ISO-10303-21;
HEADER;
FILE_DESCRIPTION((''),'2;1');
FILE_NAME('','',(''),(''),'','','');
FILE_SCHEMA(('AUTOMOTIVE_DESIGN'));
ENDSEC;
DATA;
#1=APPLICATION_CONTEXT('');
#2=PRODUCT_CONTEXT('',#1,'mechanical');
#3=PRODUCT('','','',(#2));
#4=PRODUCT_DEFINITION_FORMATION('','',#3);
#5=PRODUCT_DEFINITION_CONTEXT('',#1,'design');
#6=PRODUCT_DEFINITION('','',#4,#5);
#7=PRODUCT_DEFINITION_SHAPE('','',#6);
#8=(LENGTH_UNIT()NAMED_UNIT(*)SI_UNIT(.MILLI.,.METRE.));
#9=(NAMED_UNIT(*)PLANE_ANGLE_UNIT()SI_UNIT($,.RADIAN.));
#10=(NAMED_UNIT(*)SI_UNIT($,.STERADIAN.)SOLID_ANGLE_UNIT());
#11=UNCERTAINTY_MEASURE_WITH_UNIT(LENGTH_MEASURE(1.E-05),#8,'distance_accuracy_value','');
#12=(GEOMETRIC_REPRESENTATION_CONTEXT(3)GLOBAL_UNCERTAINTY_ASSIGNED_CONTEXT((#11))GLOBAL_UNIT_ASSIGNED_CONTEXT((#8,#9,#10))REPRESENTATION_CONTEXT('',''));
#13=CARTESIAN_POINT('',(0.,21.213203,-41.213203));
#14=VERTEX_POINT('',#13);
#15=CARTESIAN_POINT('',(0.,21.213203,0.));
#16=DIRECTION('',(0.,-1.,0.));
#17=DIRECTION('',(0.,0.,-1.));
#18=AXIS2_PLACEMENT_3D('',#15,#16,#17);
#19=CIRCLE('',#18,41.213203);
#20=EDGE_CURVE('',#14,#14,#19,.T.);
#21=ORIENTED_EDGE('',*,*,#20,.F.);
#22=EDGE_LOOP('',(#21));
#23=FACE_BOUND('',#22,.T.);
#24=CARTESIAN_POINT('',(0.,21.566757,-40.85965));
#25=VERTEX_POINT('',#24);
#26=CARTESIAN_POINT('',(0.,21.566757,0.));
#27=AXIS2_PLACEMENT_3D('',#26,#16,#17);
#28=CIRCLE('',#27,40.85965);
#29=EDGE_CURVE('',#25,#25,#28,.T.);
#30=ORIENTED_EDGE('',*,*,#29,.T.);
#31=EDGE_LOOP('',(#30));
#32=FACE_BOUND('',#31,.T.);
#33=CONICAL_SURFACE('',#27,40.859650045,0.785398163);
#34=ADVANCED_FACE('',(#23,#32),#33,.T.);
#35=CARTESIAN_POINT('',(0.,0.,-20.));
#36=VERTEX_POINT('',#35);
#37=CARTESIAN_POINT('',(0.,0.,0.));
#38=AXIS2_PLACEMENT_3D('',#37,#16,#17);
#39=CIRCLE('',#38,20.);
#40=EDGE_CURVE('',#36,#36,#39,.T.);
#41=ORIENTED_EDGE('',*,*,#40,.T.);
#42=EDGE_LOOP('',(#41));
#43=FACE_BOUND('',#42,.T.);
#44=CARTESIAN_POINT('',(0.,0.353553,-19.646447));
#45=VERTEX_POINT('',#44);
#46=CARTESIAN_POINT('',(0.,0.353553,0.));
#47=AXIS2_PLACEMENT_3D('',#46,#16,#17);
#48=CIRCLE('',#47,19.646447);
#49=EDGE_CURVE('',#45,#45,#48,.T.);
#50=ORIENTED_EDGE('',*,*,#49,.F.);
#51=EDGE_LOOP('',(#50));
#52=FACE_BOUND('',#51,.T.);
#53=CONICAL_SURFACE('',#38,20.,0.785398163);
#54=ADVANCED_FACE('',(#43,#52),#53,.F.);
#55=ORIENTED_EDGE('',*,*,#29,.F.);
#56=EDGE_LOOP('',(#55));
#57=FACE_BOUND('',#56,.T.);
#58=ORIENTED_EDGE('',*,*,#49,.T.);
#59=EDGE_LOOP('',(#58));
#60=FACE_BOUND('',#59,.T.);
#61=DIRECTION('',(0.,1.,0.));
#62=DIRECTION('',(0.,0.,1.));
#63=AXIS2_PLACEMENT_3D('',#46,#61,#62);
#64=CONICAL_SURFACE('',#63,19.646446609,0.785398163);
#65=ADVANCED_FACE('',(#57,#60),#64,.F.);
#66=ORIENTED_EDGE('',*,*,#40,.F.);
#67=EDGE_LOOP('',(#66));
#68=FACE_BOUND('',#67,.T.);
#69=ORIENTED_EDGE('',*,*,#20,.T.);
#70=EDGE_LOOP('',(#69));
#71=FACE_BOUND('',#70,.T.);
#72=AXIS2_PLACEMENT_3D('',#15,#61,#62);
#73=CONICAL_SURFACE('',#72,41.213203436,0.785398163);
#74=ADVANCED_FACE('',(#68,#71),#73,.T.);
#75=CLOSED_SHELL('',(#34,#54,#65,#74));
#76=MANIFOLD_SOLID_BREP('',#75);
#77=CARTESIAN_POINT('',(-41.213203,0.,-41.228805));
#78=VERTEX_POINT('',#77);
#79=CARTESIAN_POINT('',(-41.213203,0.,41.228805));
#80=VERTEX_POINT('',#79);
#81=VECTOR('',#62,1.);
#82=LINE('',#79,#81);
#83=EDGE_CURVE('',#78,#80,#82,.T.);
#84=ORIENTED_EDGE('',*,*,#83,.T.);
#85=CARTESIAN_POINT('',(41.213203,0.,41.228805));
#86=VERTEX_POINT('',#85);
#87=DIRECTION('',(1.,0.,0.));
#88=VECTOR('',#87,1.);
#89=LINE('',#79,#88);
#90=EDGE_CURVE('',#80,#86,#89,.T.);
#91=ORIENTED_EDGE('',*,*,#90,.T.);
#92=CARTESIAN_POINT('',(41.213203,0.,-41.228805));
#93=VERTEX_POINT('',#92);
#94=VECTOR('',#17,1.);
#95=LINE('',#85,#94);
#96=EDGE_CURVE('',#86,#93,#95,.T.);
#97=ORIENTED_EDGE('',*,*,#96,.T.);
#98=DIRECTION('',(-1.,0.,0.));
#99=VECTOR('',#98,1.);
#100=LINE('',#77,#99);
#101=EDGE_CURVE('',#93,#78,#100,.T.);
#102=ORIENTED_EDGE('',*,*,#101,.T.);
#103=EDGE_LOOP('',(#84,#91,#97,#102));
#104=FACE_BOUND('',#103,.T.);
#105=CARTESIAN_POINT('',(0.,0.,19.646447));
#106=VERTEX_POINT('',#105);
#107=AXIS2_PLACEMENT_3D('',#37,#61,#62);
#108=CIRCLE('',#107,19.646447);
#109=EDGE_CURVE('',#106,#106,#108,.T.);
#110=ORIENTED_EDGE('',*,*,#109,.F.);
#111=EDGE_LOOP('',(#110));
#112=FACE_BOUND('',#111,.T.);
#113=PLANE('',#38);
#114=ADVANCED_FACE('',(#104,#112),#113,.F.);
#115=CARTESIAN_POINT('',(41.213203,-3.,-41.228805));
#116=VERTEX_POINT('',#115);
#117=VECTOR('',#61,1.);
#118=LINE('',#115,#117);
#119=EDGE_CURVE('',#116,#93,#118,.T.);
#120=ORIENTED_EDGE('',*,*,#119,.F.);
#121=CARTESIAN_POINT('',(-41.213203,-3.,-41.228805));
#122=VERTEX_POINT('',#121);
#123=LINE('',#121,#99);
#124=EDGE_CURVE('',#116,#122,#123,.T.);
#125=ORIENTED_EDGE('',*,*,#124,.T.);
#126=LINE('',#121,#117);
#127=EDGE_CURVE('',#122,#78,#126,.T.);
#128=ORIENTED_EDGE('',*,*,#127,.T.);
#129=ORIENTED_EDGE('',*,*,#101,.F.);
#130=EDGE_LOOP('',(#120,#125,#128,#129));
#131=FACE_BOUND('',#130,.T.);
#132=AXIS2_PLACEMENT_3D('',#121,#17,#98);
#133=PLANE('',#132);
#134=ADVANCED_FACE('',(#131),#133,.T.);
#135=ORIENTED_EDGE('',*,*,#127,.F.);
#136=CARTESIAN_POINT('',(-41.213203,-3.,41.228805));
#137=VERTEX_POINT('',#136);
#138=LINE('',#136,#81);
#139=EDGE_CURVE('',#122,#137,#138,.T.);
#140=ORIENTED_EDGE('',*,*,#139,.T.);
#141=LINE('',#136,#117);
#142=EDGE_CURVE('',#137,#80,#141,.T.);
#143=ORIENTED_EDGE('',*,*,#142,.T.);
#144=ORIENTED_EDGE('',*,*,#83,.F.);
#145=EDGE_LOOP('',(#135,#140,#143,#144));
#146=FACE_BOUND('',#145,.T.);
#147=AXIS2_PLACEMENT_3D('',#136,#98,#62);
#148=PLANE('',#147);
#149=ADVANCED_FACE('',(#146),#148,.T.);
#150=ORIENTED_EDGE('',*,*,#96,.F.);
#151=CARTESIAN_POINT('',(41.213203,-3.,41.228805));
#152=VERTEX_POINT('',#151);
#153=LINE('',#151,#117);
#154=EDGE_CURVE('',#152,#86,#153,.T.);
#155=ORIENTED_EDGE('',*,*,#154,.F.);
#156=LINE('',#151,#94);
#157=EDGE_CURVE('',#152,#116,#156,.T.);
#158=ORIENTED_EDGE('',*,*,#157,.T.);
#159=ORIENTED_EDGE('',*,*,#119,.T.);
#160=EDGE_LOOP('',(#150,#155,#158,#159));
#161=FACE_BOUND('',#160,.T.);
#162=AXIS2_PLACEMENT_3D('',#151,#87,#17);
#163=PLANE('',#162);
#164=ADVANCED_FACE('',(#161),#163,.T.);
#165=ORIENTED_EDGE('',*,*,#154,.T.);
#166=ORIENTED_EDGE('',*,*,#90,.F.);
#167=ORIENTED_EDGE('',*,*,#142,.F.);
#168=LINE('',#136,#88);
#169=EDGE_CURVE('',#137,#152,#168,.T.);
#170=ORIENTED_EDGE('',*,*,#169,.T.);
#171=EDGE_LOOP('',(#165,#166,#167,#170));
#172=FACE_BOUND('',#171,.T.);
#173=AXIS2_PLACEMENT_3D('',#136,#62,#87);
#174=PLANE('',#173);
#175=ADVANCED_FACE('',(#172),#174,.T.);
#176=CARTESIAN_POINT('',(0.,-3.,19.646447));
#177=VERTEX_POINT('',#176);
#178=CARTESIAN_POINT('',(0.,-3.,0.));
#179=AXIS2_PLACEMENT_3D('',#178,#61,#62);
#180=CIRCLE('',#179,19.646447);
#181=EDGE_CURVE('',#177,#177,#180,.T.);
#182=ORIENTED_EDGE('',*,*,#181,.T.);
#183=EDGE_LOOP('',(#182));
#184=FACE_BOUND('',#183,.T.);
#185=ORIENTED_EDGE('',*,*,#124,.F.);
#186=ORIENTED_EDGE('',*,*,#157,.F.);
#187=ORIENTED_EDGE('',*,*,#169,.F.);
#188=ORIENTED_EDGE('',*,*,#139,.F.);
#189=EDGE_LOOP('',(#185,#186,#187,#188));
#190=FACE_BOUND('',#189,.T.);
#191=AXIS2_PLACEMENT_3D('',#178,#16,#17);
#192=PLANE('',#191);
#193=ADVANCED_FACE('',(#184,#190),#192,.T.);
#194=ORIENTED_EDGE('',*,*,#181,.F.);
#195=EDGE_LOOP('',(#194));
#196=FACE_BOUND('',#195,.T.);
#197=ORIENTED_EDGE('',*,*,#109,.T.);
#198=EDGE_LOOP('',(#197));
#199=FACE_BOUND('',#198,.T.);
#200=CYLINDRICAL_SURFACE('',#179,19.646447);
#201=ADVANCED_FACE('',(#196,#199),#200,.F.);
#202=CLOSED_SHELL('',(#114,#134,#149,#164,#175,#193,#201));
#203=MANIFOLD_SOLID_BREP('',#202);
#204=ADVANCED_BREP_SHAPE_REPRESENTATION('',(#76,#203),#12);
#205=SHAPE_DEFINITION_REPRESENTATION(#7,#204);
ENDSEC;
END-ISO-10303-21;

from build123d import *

# Parameters (mm, degrees)
SKETCH2_W           = 82.426406872
SKETCH2_H           = 82.457609212
SKETCH2_R           = 19.646446609
BOSS_EXTRUDE1_DEPTH = 3


with BuildPart() as part:
    # Sketch1 → Revolve1 (revolve)
    with BuildSketch(Plane.XY, mode=Mode.PRIVATE) as revolve1_sk:
        Polygon((-20, 0), (-41.213203436, 21.213203436), (-40.859650045, 21.566756826), (-19.646446609, 0.353553391), align=None)
    revolve(revolve1_sk.sketch.rotate(Axis((0, 0, 0), (0, 1, 0)), 270), axis=Axis((0, 0, 0), (0, 1, 0)))


with BuildPart() as body_2:
    # Sketch2 → Boss-Extrude1 (new body)
    with BuildSketch(Plane(origin=(0, 0, 0), x_dir=(1, 0, 0), z_dir=(0, 1, 0))):
        Rectangle(SKETCH2_W, SKETCH2_H)
        with Locations(Location((0, 0, 0), (0, 0, 270))):
            Circle(SKETCH2_R, mode=Mode.SUBTRACT)
    extrude(amount=-BOSS_EXTRUDE1_DEPTH)


solid = Compound([part.part, body_2.part])
